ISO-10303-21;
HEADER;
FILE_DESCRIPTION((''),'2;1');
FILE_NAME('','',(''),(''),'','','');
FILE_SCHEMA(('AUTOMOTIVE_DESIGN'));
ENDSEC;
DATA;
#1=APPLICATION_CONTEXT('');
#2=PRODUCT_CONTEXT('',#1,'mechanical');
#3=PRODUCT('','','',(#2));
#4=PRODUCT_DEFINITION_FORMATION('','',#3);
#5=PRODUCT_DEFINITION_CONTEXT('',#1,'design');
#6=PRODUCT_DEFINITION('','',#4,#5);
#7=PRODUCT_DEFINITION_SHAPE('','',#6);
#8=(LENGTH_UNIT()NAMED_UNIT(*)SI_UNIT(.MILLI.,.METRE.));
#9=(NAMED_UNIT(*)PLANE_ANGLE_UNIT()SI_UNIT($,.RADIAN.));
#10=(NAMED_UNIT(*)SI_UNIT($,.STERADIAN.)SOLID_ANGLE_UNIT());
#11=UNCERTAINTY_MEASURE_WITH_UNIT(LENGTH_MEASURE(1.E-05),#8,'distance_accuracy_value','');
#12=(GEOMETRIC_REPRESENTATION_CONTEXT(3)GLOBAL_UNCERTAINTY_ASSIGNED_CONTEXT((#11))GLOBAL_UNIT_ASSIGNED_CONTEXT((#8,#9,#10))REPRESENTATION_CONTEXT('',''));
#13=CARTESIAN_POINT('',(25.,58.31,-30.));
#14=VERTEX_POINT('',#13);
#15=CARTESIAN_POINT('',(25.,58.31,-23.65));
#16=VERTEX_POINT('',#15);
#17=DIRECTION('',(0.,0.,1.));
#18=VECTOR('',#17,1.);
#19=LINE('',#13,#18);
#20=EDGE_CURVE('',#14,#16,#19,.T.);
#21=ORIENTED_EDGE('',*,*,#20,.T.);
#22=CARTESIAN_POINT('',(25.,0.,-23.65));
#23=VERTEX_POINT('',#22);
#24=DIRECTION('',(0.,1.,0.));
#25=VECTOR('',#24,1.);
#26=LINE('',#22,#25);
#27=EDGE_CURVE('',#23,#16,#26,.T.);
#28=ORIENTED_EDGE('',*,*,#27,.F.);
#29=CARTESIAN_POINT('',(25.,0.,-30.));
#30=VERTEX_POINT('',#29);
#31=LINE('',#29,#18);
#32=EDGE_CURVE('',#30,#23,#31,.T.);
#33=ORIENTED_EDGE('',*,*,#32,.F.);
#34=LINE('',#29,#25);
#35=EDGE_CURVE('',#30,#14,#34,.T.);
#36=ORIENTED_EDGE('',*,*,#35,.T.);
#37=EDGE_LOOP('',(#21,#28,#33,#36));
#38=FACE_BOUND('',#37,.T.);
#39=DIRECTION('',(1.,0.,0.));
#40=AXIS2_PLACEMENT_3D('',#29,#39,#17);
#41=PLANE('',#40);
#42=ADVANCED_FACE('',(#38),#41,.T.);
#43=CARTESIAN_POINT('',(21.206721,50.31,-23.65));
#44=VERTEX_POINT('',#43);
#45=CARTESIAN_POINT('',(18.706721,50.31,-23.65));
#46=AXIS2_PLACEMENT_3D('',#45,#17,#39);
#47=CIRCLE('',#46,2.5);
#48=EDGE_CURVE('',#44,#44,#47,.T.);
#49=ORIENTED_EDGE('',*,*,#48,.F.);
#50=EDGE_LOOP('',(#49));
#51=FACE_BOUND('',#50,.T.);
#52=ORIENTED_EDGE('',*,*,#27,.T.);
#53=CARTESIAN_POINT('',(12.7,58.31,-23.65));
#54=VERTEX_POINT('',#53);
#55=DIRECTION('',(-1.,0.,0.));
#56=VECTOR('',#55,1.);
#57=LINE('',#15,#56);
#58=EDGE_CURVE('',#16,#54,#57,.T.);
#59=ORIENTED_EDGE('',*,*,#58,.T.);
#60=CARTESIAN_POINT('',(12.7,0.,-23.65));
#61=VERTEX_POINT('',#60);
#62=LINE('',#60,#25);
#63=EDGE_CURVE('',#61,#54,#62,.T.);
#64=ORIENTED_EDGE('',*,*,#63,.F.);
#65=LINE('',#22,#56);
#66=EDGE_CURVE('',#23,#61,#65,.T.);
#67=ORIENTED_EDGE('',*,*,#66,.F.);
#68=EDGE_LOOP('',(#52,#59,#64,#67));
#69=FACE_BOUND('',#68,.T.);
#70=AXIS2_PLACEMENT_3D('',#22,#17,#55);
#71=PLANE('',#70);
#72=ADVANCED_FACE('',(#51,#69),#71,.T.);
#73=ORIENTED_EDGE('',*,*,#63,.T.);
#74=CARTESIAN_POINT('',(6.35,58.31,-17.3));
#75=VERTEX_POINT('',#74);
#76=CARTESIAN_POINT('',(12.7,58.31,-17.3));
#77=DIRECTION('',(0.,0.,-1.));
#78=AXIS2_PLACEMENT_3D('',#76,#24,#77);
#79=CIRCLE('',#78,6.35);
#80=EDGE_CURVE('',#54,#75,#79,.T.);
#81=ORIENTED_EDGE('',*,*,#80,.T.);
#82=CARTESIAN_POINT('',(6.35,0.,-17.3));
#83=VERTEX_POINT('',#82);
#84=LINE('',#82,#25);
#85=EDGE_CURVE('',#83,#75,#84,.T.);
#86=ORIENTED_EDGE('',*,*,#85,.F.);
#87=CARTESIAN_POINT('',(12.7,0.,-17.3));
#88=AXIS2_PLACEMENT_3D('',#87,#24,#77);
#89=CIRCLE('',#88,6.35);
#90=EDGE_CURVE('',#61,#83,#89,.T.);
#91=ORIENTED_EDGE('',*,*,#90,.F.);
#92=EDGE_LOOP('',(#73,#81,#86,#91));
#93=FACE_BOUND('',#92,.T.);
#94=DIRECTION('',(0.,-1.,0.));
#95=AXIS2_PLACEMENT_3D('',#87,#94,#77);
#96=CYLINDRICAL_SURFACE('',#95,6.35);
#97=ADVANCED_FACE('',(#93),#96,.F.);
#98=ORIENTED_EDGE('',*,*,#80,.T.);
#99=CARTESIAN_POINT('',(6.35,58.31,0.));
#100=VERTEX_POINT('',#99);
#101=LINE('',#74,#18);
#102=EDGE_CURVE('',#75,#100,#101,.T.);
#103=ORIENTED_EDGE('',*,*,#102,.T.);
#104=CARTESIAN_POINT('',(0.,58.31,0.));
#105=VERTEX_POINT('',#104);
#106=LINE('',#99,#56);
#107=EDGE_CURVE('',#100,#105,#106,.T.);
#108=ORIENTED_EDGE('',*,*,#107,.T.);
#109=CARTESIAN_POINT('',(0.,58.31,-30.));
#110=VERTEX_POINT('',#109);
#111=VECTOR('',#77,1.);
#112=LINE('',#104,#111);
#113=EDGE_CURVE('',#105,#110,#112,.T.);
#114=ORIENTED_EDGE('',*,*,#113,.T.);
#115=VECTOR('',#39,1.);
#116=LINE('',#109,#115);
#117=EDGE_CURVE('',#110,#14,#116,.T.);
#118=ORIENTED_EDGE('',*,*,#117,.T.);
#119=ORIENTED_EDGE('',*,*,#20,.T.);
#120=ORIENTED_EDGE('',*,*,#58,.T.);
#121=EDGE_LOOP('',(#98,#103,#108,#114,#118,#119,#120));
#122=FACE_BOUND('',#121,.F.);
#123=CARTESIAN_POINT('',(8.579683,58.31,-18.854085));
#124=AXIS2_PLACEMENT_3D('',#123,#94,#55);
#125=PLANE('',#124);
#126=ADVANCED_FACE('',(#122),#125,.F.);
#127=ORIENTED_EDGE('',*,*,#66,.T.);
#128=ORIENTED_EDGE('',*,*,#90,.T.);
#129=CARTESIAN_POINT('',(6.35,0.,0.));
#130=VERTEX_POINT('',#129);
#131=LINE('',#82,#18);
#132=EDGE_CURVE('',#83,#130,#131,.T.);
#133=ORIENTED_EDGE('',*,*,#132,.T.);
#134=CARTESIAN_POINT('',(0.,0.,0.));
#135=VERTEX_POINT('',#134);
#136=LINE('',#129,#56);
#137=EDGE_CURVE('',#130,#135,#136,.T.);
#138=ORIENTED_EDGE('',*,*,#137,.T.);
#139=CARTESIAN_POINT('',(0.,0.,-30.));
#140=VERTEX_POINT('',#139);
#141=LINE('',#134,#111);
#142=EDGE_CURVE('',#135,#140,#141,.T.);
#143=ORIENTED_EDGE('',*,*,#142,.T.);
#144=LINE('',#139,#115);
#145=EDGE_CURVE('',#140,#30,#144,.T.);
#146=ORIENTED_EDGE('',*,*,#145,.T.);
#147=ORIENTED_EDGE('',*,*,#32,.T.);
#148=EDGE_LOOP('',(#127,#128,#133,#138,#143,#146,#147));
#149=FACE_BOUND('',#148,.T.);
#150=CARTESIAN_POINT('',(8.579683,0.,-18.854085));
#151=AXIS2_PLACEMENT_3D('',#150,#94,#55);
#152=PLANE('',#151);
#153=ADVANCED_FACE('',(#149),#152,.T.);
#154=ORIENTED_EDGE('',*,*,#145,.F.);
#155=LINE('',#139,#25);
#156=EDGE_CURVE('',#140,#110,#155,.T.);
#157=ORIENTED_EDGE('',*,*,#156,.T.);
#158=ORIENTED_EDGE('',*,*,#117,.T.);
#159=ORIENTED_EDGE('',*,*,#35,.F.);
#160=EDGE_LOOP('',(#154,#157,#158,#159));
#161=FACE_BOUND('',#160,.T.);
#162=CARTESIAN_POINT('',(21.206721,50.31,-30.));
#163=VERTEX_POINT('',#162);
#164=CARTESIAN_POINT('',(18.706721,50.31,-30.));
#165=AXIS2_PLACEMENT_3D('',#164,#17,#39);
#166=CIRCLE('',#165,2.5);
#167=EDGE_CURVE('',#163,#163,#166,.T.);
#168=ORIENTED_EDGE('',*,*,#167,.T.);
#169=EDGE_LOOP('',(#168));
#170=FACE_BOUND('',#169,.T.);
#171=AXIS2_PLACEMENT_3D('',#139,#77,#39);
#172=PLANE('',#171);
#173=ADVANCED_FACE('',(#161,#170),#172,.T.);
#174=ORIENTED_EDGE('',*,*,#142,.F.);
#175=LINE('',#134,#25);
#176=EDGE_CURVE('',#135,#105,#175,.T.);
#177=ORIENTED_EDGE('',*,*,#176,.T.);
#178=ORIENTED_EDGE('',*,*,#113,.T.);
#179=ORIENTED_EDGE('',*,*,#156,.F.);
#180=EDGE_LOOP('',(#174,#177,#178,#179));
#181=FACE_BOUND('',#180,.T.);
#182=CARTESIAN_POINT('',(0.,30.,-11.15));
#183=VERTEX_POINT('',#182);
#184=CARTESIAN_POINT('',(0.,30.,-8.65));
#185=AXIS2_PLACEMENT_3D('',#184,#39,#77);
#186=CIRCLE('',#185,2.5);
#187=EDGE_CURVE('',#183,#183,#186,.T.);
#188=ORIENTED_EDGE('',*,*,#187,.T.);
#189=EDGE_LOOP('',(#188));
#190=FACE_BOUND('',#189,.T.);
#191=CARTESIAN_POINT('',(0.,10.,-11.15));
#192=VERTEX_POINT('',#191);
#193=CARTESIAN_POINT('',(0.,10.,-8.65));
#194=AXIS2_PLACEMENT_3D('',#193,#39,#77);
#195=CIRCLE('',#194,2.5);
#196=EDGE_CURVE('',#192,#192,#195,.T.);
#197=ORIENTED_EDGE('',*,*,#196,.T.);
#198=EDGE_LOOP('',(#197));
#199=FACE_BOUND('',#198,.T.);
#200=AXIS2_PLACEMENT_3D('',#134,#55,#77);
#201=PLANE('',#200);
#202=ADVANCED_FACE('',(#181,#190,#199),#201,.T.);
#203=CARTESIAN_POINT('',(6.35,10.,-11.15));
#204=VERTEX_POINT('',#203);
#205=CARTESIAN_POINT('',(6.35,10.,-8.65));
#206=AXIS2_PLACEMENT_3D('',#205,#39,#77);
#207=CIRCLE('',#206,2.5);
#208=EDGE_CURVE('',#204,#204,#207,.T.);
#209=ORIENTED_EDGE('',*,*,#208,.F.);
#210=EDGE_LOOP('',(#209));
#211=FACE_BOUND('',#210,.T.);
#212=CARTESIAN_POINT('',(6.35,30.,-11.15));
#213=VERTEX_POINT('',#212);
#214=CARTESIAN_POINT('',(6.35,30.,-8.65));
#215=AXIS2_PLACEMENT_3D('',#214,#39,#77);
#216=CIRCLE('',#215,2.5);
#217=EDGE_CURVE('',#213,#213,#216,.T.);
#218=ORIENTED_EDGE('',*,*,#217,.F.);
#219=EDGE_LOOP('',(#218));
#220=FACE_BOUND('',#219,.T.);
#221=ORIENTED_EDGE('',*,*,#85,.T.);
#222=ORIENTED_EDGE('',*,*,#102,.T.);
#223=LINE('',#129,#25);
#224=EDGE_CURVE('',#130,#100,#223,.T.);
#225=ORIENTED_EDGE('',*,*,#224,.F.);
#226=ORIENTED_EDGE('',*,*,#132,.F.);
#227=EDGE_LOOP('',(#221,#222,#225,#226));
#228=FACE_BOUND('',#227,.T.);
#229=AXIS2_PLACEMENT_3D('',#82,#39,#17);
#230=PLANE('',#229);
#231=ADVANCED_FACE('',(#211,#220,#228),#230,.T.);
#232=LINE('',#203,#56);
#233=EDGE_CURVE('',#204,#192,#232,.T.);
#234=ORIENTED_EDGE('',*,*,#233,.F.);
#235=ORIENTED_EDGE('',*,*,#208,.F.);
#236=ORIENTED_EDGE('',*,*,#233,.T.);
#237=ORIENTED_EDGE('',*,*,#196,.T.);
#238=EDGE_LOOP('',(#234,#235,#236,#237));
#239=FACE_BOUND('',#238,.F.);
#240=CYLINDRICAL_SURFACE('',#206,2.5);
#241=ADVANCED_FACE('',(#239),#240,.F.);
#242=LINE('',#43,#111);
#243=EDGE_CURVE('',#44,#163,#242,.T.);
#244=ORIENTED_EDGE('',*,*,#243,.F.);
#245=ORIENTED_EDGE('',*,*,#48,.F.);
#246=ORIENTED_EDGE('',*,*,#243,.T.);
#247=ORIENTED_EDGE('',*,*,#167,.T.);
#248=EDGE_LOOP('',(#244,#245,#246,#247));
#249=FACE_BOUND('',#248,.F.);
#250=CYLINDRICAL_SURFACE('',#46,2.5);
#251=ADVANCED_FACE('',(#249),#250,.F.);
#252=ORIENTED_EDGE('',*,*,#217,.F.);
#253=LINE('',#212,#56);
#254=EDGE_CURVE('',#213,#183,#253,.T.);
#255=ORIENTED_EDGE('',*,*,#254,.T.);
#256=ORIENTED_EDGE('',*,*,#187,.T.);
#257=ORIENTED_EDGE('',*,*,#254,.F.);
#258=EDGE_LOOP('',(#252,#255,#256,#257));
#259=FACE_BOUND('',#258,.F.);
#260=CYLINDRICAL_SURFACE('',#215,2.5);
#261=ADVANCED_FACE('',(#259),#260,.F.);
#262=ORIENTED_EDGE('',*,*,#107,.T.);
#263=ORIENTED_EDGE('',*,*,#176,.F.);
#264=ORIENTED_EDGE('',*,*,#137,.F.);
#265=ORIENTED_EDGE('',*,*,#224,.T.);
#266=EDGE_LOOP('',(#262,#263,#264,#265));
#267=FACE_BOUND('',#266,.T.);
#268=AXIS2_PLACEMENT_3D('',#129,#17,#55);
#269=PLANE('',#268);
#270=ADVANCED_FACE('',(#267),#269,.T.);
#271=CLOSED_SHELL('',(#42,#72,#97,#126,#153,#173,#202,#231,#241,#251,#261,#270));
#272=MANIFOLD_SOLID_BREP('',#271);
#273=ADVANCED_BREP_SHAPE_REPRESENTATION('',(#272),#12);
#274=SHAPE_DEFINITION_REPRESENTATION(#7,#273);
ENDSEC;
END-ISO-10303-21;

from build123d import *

# Parameters (mm, degrees)
BOSS_EXTRUDE1_DEPTH = 58.31
SKETCH3_R           = 2.5
CUT_EXTRUDE1_DEPTH  = 7.35
SKETCH4_R           = 2.5
CUT_EXTRUDE2_DEPTH  = 7.35


with BuildPart() as part:
    # Sketch2 → Boss-Extrude1 (new body)
    with BuildSketch(Plane(origin=(0, 0, 0), x_dir=(1, 0, 0), z_dir=(0, 1, 0))):
        with BuildLine():
            Line((0, 0), (0, 30))
            Line((0, 30), (25, 30))
            Line((25, 30), (25, 23.65))
            Line((25, 23.65), (12.7, 23.65))
            ThreePointArc((12.7, 23.65), (8.209871939, 21.790128061), (6.35, 17.3))
            Line((6.35, 17.3), (6.35, 0))
            Line((6.35, 0), (0, 0))
        make_face()
    extrude(amount=BOSS_EXTRUDE1_DEPTH)

    # Sketch3 → Cut-Extrude1 (cut, through all)
    with BuildSketch(Plane(origin=(6.35, 0, 0), x_dir=(0, 0, -1), z_dir=(1, 0, 0))):
        with Locations((8.65, 10)):
            Circle(SKETCH3_R)
        with Locations((8.65, 30)):
            Circle(SKETCH3_R)
    extrude(amount=-CUT_EXTRUDE1_DEPTH, mode=Mode.SUBTRACT)

    # Sketch4 → Cut-Extrude2 (cut, through all)
    with BuildSketch(Plane.XY.offset(-23.65)):
        with Locations((18.706720962, 50.31)):
            Circle(SKETCH4_R)
    extrude(amount=-CUT_EXTRUDE2_DEPTH, mode=Mode.SUBTRACT)


solid = part.part
